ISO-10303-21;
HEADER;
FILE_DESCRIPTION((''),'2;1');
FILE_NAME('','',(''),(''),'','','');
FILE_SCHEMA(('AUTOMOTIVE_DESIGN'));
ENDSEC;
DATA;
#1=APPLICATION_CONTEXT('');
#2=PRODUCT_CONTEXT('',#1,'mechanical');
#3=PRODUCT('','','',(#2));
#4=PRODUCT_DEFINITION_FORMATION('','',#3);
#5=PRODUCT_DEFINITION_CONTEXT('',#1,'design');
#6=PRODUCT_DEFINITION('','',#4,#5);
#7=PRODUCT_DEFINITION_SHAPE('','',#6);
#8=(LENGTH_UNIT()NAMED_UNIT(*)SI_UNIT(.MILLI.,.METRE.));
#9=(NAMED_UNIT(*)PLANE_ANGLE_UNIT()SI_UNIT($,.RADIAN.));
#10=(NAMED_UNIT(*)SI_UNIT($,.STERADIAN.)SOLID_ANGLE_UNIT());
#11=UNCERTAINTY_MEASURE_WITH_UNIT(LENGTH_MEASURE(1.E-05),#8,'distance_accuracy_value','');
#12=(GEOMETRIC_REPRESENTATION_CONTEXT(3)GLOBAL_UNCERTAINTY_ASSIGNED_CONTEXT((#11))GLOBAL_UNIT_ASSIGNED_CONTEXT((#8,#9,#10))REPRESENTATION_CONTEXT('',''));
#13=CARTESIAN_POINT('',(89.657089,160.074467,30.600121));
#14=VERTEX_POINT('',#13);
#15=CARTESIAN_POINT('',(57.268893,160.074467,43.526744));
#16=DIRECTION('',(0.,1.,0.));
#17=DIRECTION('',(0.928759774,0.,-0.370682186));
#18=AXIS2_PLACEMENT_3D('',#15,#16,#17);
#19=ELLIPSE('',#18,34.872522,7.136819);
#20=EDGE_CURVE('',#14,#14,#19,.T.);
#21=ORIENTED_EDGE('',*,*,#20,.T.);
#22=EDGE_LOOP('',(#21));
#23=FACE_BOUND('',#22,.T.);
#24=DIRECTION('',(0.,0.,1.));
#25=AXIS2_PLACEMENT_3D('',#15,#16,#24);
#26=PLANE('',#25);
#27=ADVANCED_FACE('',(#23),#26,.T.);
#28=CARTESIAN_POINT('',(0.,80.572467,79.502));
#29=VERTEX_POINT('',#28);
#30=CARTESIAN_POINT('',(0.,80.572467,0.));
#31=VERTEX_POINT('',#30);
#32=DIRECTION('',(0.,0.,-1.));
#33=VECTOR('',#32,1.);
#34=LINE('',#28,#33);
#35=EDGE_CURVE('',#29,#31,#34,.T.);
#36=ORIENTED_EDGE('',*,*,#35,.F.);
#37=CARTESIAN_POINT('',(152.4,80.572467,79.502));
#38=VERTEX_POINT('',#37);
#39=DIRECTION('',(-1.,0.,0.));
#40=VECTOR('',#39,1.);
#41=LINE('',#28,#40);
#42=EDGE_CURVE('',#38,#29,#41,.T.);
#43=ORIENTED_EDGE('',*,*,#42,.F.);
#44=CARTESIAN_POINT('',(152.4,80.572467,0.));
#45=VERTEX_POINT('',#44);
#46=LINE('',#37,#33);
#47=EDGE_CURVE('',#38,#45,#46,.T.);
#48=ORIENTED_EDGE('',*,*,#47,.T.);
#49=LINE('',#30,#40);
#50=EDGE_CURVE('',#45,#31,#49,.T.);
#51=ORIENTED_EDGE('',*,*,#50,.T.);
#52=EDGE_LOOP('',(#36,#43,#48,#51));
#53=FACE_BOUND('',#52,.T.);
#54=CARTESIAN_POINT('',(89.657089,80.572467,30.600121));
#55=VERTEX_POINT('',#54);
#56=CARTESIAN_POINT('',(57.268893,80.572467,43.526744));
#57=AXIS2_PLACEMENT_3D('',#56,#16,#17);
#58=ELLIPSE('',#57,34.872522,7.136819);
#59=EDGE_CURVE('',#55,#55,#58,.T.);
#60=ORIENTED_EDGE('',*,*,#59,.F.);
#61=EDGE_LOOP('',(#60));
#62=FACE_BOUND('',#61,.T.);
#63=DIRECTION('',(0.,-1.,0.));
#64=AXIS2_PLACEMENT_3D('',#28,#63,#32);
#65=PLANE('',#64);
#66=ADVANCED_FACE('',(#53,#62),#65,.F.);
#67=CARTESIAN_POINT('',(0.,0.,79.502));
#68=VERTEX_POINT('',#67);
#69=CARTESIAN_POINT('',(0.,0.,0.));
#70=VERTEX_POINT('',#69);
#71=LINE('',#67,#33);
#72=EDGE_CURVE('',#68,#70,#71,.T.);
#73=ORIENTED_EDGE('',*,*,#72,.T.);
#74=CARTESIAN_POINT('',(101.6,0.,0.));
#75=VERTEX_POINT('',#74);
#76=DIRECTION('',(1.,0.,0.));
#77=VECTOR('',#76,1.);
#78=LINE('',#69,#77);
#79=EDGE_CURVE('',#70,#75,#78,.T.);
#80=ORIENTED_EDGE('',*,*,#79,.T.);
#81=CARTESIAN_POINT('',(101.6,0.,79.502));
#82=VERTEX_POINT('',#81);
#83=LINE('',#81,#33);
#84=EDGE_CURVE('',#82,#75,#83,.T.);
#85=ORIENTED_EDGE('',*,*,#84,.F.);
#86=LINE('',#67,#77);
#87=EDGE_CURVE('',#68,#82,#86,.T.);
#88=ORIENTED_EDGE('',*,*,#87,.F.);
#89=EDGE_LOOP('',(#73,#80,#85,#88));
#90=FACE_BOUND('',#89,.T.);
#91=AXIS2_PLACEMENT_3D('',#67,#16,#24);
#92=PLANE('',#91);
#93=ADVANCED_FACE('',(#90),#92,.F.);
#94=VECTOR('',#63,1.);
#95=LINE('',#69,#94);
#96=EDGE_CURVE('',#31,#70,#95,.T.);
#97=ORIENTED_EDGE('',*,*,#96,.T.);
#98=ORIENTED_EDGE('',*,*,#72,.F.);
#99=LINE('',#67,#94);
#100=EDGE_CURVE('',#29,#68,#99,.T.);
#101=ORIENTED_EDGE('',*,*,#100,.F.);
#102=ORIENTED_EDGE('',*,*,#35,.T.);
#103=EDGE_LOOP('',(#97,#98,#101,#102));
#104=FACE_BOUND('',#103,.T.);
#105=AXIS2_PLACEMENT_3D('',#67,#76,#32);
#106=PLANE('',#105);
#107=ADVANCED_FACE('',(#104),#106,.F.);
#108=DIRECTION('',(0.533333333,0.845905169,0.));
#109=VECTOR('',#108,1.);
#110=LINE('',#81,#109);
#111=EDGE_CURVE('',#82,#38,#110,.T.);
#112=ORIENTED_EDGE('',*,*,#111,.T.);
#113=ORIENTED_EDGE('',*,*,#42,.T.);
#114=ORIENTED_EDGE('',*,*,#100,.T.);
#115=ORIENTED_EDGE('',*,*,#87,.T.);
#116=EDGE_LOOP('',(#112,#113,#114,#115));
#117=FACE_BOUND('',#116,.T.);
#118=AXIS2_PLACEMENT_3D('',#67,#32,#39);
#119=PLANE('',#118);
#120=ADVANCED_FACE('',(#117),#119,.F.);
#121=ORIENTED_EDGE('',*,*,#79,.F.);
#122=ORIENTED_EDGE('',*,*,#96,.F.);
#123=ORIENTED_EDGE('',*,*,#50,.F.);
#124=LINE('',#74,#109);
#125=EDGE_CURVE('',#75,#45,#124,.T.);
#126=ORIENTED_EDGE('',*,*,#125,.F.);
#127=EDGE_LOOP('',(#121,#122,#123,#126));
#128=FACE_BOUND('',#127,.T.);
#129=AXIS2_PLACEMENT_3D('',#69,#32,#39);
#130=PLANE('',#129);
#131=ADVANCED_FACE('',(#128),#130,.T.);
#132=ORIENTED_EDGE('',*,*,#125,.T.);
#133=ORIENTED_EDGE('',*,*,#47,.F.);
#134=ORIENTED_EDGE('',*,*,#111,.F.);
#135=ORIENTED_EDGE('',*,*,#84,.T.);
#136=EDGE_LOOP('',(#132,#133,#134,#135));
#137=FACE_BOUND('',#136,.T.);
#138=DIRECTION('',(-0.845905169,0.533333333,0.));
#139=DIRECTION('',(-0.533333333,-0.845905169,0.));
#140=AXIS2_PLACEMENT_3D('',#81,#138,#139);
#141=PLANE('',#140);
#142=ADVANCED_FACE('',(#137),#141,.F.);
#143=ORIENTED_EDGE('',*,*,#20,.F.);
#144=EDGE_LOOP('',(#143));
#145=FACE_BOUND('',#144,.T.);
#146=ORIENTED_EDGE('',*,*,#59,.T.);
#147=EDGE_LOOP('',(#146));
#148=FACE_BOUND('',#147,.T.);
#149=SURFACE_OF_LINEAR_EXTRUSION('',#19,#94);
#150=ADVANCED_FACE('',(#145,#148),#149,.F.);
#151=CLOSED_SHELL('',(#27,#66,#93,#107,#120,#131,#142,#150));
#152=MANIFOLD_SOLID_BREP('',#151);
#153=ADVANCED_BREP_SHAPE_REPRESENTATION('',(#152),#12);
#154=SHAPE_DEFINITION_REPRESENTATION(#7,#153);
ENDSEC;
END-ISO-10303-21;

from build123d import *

# Parameters (mm, degrees)
BOSS_EXTRUDE1_DEPTH = 79.502
SKETCH2_RX          = 34.87252212
SKETCH2_RY          = 7.136819482
BOSS_EXTRUDE2_DEPTH = 79.502


with BuildPart() as part:
    # Sketch1 → Boss-Extrude1 (new body)
    with BuildSketch(Plane.XY):
        Polygon((0, 0), (101.6, 0), (152.4, 80.572467382), (0, 80.572467382), align=None)
    extrude(amount=BOSS_EXTRUDE1_DEPTH)

    # Sketch2 → Boss-Extrude2 (add)
    with BuildSketch(Plane(origin=(0, 80.572467382, 0), x_dir=(1, 0, 0), z_dir=(0, 1, 0))):
        with Locations(Location((57.268893284, -43.52674359), (0, 0, 21.757695584))):
            Ellipse(SKETCH2_RX, SKETCH2_RY)
    extrude(amount=BOSS_EXTRUDE2_DEPTH)


solid = part.part
